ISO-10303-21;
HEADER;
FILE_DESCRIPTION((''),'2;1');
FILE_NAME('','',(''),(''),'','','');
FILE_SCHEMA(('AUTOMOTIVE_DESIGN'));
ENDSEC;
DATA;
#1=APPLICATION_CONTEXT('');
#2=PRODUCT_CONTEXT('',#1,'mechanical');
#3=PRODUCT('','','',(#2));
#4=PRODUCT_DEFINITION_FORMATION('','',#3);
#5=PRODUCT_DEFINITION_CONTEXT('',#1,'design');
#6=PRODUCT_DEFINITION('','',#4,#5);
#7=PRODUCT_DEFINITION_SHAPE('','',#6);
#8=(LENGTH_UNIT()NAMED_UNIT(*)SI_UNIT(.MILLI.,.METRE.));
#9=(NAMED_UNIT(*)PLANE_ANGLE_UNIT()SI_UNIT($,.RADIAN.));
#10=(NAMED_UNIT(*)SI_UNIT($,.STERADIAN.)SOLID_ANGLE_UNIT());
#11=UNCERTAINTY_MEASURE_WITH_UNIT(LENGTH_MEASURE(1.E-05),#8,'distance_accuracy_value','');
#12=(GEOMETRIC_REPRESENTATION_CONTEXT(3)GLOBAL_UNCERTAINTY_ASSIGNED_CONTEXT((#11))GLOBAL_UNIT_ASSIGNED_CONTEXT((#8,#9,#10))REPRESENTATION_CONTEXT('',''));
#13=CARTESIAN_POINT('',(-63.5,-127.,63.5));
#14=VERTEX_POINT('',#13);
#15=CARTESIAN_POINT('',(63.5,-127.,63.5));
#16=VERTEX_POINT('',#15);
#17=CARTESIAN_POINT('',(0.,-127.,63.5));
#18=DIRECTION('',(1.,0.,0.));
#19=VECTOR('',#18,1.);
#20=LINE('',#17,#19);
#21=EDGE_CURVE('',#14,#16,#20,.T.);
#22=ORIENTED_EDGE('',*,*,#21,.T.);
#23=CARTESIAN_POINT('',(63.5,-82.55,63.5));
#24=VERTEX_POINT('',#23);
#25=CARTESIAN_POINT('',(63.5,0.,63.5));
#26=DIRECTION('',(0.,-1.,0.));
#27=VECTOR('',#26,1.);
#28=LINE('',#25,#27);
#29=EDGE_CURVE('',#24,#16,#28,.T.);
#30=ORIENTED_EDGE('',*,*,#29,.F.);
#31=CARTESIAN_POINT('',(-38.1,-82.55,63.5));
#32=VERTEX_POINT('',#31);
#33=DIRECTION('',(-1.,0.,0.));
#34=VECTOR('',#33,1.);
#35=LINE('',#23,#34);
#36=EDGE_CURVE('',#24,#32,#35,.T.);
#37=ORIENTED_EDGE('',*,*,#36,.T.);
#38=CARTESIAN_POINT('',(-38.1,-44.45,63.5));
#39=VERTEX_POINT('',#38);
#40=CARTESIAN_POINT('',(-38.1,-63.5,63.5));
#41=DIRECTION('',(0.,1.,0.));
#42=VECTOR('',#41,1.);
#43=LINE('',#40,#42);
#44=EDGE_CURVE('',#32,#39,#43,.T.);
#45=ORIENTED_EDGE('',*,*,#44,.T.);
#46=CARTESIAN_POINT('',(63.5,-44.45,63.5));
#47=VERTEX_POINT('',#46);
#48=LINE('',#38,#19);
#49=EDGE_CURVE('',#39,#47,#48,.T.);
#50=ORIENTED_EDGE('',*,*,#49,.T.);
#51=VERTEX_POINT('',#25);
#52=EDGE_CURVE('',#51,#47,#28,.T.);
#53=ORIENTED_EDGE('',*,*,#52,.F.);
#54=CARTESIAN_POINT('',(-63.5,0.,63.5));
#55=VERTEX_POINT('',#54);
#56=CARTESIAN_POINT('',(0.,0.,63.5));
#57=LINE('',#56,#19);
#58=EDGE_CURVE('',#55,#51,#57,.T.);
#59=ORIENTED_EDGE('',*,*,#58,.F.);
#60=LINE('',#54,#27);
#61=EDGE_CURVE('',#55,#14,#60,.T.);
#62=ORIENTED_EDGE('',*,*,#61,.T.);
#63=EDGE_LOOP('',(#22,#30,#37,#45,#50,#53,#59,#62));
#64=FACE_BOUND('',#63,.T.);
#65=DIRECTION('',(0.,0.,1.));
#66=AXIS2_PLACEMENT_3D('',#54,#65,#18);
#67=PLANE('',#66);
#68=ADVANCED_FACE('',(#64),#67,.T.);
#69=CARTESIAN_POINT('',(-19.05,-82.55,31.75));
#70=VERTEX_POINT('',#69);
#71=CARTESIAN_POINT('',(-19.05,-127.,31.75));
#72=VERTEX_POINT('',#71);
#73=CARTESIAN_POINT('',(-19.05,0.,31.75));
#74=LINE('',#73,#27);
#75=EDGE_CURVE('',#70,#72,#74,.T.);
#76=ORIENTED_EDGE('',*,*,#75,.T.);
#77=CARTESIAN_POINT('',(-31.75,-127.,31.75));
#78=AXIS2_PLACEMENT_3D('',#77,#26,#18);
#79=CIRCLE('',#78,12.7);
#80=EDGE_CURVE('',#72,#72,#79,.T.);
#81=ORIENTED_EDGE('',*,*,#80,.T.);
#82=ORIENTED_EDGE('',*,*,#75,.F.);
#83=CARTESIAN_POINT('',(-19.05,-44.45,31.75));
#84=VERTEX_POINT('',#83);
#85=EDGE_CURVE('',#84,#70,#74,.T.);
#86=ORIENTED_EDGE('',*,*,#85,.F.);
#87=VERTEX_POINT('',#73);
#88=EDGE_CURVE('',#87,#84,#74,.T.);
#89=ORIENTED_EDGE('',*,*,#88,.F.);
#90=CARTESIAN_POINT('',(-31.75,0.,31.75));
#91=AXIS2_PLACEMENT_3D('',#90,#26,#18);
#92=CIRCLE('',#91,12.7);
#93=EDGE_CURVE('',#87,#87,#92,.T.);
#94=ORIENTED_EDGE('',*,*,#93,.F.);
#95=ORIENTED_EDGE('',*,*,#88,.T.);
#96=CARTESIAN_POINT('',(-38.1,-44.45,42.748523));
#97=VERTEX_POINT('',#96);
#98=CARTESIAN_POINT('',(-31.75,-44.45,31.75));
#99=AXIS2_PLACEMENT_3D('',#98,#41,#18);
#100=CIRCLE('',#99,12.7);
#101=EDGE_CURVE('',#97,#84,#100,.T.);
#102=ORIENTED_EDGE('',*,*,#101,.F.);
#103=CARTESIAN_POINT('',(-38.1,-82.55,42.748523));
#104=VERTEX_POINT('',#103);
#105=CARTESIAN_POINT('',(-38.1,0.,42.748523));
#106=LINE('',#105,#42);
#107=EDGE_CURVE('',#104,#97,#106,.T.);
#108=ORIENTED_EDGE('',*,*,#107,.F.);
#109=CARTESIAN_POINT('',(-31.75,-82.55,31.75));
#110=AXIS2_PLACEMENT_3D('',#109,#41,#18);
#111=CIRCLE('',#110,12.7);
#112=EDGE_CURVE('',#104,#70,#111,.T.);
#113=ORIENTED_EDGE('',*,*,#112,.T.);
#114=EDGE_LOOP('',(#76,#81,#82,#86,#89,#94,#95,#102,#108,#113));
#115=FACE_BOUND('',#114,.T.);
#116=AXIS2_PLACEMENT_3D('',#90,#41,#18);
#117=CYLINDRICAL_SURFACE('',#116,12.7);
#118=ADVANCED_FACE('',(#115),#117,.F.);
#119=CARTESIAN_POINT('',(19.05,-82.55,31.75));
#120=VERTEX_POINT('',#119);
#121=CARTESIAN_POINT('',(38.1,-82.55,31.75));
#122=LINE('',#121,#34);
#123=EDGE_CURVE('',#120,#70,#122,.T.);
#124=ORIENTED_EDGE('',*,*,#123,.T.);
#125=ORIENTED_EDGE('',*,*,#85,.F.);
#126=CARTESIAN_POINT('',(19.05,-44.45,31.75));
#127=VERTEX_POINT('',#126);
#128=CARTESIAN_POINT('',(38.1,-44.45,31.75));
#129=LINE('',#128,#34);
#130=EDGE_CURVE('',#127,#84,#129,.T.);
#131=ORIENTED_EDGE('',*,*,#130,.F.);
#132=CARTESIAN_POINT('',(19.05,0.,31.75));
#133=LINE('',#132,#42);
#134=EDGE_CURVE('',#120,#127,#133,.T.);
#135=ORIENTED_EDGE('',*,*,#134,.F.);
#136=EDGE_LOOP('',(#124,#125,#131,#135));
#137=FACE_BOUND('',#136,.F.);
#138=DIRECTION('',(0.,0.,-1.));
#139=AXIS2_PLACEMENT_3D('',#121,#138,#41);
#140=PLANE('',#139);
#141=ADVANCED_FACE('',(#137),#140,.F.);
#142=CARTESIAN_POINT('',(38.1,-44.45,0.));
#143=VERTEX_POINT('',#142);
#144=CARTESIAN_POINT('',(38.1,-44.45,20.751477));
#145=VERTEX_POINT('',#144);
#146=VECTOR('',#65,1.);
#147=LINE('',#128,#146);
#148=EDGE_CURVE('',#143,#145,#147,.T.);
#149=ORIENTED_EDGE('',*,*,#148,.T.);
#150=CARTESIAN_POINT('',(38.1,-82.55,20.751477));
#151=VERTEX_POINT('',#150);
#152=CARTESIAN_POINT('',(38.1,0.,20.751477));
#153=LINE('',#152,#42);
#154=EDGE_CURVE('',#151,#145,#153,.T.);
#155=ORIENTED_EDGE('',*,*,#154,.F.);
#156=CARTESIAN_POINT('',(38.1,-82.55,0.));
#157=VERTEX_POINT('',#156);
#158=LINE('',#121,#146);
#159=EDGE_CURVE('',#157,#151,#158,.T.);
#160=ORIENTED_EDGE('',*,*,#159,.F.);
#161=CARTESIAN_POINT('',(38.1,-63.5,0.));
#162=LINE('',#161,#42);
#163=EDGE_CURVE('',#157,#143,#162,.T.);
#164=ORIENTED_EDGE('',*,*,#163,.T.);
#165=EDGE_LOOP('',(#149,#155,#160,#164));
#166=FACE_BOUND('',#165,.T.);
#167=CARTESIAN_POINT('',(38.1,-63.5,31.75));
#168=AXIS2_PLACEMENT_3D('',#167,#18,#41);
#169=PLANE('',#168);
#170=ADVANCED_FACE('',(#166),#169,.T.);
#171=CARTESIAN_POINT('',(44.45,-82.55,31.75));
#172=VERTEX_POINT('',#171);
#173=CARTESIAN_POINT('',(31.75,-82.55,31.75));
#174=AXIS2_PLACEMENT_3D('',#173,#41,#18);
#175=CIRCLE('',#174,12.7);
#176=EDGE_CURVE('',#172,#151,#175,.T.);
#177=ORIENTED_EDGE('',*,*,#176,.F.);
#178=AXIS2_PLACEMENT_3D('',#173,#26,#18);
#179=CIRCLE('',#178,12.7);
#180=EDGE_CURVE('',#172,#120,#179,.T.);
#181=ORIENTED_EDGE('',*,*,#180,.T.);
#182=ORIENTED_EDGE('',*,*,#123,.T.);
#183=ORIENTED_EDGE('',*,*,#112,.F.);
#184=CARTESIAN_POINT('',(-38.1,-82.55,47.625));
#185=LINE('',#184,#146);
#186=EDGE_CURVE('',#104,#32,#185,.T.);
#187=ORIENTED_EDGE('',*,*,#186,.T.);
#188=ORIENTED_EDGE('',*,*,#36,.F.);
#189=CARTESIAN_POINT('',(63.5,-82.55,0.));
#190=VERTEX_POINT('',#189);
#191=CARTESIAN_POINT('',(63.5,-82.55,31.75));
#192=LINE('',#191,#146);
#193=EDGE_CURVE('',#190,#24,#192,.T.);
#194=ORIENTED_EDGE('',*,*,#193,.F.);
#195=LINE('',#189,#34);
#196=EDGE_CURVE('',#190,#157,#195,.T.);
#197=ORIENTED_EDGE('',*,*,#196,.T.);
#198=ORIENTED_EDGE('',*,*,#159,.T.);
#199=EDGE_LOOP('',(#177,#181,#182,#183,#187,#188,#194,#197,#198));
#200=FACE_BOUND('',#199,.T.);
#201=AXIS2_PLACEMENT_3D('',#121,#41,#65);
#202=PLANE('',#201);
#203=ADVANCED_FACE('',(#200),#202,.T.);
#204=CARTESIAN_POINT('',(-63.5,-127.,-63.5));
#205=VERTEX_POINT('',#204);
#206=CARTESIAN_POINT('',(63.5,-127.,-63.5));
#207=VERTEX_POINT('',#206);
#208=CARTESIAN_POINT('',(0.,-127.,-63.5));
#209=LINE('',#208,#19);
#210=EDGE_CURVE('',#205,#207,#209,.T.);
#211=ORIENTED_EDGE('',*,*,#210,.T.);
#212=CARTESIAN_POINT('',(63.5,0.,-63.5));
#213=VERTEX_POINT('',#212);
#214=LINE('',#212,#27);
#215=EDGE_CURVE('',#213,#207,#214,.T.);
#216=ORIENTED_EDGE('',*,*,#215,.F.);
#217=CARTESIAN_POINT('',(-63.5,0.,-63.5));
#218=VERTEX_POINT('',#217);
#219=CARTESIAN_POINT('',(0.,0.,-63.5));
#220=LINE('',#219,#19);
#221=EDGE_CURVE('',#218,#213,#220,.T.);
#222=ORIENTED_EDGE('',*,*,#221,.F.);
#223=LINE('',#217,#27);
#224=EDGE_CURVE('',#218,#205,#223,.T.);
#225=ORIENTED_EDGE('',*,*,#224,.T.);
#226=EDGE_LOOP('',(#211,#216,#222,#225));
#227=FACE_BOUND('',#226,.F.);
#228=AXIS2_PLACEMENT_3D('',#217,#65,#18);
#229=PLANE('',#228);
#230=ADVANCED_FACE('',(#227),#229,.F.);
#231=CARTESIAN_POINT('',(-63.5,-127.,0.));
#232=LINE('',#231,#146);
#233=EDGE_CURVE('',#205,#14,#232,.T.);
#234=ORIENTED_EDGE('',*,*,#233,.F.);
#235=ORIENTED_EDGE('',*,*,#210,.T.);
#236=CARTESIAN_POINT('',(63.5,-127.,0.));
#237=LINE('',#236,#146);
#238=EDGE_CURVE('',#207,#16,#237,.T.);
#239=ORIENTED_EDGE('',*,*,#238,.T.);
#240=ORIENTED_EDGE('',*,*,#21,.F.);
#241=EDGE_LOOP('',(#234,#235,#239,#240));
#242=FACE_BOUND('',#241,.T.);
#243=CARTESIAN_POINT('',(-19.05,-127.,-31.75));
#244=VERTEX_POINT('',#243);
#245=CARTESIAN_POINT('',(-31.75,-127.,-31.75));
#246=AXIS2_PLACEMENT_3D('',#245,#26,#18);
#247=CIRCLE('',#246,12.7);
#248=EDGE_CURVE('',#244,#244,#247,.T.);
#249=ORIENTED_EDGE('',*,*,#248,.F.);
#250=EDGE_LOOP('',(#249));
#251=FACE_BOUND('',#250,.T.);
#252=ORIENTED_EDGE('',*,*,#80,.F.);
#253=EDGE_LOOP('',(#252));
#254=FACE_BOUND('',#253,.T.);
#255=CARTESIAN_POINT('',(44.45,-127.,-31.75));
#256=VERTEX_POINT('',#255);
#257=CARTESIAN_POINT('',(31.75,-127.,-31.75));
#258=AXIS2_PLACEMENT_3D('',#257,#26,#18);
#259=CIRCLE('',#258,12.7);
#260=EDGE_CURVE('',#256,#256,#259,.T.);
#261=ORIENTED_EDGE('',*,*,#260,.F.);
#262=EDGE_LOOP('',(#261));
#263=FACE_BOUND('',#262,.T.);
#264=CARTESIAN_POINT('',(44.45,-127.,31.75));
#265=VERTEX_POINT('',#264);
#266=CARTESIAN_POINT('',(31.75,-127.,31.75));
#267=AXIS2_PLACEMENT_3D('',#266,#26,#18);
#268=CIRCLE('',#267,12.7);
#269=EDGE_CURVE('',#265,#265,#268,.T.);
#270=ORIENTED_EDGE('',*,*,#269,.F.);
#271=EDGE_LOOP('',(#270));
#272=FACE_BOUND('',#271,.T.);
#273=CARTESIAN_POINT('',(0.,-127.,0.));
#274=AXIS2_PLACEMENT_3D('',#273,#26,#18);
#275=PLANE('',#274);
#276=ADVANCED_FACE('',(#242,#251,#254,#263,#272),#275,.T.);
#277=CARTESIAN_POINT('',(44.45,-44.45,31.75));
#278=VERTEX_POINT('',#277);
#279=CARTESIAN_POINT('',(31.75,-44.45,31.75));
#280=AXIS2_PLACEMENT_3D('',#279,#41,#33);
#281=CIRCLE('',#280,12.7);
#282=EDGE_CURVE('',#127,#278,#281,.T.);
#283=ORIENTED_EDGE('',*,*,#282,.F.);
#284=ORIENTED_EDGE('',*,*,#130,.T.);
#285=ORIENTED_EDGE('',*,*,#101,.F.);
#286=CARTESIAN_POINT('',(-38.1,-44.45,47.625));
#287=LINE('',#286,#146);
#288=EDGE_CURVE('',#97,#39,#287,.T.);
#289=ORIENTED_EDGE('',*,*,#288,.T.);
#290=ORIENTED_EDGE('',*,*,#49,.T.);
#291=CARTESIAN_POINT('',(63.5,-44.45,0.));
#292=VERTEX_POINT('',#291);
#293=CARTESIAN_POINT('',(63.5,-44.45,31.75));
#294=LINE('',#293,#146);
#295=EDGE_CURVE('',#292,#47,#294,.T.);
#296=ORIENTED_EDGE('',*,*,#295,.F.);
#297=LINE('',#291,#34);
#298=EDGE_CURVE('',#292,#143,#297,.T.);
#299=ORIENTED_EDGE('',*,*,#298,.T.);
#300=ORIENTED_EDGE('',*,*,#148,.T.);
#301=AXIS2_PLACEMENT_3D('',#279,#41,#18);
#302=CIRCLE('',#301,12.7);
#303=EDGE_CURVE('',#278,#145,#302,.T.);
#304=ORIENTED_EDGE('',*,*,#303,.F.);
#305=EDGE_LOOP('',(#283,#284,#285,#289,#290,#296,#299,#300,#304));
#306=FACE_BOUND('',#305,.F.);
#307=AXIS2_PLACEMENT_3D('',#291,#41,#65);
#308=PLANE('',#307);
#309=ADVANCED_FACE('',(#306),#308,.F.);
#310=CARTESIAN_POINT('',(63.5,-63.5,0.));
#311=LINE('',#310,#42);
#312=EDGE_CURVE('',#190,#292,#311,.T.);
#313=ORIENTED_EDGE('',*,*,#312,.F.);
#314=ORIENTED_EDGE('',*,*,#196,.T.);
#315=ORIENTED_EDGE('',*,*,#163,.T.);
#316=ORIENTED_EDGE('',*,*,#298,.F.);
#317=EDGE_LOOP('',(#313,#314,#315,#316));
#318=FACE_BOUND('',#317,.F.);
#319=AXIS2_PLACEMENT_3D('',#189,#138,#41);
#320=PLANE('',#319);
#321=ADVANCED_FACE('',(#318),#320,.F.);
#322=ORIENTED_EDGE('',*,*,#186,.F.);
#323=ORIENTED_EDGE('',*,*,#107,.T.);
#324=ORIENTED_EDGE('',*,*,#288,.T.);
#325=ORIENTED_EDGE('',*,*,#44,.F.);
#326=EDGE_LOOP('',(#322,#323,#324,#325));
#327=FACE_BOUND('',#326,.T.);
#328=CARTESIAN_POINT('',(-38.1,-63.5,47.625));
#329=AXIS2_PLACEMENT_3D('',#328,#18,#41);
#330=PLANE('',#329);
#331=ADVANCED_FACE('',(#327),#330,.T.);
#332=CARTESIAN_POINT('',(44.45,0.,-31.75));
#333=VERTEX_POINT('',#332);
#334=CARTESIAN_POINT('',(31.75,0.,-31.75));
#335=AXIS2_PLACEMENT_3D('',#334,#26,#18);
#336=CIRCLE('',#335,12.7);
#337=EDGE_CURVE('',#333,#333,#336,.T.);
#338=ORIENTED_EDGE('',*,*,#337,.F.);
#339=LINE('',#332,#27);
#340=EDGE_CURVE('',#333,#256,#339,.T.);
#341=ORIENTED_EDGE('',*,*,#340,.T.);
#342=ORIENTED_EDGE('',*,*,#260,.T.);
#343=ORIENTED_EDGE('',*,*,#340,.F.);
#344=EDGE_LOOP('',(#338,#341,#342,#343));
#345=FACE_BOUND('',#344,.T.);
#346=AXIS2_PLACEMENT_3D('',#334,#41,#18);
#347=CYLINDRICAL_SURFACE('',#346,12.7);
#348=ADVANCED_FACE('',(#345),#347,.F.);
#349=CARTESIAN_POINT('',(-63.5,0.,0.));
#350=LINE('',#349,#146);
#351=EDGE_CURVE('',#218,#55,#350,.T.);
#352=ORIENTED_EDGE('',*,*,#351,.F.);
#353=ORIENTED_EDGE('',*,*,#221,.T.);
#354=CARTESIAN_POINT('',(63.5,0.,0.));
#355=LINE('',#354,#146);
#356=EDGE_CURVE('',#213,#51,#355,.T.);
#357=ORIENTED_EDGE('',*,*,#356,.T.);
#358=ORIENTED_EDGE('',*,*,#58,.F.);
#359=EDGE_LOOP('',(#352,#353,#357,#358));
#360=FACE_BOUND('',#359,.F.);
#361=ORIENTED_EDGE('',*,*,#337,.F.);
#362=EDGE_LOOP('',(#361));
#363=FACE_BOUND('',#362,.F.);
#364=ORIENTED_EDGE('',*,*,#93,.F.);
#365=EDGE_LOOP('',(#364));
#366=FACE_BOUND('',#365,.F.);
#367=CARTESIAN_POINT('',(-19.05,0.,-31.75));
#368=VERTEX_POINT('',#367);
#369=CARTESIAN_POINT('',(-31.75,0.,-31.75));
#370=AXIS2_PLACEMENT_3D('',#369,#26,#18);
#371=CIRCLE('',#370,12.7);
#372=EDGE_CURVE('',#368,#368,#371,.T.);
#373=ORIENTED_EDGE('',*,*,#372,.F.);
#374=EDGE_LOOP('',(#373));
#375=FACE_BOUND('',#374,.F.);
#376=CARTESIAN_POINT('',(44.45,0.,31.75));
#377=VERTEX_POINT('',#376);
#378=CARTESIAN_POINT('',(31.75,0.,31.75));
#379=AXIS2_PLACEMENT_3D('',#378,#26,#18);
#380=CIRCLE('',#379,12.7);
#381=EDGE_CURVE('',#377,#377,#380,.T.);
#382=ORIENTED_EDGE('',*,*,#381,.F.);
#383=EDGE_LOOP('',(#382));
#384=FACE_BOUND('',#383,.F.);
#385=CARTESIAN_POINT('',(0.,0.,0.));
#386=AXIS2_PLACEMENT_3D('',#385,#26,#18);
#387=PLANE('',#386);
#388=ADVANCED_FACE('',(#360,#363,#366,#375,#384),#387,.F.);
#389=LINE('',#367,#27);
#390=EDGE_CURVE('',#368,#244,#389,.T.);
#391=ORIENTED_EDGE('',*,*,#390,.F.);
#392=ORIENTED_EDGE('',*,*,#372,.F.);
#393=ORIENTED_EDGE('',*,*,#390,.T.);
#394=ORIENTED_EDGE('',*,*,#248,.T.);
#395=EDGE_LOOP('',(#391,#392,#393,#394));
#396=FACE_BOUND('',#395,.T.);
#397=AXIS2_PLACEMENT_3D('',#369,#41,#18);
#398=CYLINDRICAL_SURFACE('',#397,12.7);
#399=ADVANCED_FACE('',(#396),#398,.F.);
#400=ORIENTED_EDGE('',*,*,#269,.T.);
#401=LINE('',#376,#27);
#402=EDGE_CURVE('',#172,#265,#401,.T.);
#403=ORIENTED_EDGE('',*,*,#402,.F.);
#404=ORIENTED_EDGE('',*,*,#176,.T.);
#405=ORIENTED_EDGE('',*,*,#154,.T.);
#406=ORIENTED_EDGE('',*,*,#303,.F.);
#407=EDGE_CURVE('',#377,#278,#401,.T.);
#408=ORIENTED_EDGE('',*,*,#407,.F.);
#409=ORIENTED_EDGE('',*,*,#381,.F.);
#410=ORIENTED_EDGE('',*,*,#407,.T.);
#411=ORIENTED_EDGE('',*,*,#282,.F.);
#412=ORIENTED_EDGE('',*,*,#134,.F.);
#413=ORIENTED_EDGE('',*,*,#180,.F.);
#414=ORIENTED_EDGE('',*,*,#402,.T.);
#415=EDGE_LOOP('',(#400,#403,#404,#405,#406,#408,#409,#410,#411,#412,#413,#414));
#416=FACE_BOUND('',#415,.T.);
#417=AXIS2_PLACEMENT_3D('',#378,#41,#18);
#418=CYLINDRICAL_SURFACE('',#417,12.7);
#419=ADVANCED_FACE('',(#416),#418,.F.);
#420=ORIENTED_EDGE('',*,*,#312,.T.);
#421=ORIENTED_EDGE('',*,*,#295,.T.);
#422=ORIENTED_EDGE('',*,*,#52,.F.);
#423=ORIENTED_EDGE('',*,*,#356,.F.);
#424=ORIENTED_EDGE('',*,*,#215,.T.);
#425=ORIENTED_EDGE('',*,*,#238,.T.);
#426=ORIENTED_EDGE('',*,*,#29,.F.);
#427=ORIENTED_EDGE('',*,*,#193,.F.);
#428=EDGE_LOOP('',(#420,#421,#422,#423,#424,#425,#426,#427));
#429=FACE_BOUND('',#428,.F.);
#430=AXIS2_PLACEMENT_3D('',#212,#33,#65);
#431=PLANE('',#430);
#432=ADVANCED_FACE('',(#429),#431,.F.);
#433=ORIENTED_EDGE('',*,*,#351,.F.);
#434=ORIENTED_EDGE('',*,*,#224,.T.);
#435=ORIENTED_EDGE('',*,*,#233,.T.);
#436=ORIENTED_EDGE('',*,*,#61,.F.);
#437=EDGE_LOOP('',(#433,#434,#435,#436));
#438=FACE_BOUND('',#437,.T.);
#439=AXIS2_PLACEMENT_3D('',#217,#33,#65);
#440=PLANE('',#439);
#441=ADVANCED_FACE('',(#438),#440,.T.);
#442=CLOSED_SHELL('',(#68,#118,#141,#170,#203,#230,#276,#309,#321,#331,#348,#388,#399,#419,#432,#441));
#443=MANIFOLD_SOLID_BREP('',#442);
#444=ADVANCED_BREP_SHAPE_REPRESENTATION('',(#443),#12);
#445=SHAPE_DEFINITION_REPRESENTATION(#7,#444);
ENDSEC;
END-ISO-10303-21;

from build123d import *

# Parameters (mm, degrees)
F0_W     = 127
F0_H     = 127
F0_R     = 12.7
F1_DEPTH = 127
F2_W     = 38.1
F2_H     = 63.5
F3_DEPTH = 25.4
F4_W     = 38.1
F4_H     = 31.75
F5_DEPTH = 76.2


with BuildPart() as f1:
    # F0 (on Front) → F1 (new body)
    with BuildSketch(Plane.XZ):
        Rectangle(F0_W, F0_H)
        with Locations((-31.75, -31.75)):
            Circle(F0_R, mode=Mode.SUBTRACT)
        with Locations((31.75, -31.75)):
            Circle(F0_R, mode=Mode.SUBTRACT)
        with Locations((-31.75, 31.75)):
            Circle(F0_R, mode=Mode.SUBTRACT)
        with Locations((31.75, 31.75)):
            Circle(F0_R, mode=Mode.SUBTRACT)
    extrude(amount=F1_DEPTH)

    # F2 (on face) → F3 (cut)
    with BuildSketch(Plane.YZ.offset(63.5)):
        with Locations((-63.5, 31.75)):
            Rectangle(F2_W, F2_H)
    extrude(amount=-F3_DEPTH, mode=Mode.SUBTRACT)

    # F4 (on face) → F5 (cut)
    with BuildSketch(Plane.YZ.offset(38.1)):
        with Locations((-63.5, 47.625)):
            Rectangle(F4_W, F4_H)
    extrude(amount=-F5_DEPTH, mode=Mode.SUBTRACT)


solid = f1.part
